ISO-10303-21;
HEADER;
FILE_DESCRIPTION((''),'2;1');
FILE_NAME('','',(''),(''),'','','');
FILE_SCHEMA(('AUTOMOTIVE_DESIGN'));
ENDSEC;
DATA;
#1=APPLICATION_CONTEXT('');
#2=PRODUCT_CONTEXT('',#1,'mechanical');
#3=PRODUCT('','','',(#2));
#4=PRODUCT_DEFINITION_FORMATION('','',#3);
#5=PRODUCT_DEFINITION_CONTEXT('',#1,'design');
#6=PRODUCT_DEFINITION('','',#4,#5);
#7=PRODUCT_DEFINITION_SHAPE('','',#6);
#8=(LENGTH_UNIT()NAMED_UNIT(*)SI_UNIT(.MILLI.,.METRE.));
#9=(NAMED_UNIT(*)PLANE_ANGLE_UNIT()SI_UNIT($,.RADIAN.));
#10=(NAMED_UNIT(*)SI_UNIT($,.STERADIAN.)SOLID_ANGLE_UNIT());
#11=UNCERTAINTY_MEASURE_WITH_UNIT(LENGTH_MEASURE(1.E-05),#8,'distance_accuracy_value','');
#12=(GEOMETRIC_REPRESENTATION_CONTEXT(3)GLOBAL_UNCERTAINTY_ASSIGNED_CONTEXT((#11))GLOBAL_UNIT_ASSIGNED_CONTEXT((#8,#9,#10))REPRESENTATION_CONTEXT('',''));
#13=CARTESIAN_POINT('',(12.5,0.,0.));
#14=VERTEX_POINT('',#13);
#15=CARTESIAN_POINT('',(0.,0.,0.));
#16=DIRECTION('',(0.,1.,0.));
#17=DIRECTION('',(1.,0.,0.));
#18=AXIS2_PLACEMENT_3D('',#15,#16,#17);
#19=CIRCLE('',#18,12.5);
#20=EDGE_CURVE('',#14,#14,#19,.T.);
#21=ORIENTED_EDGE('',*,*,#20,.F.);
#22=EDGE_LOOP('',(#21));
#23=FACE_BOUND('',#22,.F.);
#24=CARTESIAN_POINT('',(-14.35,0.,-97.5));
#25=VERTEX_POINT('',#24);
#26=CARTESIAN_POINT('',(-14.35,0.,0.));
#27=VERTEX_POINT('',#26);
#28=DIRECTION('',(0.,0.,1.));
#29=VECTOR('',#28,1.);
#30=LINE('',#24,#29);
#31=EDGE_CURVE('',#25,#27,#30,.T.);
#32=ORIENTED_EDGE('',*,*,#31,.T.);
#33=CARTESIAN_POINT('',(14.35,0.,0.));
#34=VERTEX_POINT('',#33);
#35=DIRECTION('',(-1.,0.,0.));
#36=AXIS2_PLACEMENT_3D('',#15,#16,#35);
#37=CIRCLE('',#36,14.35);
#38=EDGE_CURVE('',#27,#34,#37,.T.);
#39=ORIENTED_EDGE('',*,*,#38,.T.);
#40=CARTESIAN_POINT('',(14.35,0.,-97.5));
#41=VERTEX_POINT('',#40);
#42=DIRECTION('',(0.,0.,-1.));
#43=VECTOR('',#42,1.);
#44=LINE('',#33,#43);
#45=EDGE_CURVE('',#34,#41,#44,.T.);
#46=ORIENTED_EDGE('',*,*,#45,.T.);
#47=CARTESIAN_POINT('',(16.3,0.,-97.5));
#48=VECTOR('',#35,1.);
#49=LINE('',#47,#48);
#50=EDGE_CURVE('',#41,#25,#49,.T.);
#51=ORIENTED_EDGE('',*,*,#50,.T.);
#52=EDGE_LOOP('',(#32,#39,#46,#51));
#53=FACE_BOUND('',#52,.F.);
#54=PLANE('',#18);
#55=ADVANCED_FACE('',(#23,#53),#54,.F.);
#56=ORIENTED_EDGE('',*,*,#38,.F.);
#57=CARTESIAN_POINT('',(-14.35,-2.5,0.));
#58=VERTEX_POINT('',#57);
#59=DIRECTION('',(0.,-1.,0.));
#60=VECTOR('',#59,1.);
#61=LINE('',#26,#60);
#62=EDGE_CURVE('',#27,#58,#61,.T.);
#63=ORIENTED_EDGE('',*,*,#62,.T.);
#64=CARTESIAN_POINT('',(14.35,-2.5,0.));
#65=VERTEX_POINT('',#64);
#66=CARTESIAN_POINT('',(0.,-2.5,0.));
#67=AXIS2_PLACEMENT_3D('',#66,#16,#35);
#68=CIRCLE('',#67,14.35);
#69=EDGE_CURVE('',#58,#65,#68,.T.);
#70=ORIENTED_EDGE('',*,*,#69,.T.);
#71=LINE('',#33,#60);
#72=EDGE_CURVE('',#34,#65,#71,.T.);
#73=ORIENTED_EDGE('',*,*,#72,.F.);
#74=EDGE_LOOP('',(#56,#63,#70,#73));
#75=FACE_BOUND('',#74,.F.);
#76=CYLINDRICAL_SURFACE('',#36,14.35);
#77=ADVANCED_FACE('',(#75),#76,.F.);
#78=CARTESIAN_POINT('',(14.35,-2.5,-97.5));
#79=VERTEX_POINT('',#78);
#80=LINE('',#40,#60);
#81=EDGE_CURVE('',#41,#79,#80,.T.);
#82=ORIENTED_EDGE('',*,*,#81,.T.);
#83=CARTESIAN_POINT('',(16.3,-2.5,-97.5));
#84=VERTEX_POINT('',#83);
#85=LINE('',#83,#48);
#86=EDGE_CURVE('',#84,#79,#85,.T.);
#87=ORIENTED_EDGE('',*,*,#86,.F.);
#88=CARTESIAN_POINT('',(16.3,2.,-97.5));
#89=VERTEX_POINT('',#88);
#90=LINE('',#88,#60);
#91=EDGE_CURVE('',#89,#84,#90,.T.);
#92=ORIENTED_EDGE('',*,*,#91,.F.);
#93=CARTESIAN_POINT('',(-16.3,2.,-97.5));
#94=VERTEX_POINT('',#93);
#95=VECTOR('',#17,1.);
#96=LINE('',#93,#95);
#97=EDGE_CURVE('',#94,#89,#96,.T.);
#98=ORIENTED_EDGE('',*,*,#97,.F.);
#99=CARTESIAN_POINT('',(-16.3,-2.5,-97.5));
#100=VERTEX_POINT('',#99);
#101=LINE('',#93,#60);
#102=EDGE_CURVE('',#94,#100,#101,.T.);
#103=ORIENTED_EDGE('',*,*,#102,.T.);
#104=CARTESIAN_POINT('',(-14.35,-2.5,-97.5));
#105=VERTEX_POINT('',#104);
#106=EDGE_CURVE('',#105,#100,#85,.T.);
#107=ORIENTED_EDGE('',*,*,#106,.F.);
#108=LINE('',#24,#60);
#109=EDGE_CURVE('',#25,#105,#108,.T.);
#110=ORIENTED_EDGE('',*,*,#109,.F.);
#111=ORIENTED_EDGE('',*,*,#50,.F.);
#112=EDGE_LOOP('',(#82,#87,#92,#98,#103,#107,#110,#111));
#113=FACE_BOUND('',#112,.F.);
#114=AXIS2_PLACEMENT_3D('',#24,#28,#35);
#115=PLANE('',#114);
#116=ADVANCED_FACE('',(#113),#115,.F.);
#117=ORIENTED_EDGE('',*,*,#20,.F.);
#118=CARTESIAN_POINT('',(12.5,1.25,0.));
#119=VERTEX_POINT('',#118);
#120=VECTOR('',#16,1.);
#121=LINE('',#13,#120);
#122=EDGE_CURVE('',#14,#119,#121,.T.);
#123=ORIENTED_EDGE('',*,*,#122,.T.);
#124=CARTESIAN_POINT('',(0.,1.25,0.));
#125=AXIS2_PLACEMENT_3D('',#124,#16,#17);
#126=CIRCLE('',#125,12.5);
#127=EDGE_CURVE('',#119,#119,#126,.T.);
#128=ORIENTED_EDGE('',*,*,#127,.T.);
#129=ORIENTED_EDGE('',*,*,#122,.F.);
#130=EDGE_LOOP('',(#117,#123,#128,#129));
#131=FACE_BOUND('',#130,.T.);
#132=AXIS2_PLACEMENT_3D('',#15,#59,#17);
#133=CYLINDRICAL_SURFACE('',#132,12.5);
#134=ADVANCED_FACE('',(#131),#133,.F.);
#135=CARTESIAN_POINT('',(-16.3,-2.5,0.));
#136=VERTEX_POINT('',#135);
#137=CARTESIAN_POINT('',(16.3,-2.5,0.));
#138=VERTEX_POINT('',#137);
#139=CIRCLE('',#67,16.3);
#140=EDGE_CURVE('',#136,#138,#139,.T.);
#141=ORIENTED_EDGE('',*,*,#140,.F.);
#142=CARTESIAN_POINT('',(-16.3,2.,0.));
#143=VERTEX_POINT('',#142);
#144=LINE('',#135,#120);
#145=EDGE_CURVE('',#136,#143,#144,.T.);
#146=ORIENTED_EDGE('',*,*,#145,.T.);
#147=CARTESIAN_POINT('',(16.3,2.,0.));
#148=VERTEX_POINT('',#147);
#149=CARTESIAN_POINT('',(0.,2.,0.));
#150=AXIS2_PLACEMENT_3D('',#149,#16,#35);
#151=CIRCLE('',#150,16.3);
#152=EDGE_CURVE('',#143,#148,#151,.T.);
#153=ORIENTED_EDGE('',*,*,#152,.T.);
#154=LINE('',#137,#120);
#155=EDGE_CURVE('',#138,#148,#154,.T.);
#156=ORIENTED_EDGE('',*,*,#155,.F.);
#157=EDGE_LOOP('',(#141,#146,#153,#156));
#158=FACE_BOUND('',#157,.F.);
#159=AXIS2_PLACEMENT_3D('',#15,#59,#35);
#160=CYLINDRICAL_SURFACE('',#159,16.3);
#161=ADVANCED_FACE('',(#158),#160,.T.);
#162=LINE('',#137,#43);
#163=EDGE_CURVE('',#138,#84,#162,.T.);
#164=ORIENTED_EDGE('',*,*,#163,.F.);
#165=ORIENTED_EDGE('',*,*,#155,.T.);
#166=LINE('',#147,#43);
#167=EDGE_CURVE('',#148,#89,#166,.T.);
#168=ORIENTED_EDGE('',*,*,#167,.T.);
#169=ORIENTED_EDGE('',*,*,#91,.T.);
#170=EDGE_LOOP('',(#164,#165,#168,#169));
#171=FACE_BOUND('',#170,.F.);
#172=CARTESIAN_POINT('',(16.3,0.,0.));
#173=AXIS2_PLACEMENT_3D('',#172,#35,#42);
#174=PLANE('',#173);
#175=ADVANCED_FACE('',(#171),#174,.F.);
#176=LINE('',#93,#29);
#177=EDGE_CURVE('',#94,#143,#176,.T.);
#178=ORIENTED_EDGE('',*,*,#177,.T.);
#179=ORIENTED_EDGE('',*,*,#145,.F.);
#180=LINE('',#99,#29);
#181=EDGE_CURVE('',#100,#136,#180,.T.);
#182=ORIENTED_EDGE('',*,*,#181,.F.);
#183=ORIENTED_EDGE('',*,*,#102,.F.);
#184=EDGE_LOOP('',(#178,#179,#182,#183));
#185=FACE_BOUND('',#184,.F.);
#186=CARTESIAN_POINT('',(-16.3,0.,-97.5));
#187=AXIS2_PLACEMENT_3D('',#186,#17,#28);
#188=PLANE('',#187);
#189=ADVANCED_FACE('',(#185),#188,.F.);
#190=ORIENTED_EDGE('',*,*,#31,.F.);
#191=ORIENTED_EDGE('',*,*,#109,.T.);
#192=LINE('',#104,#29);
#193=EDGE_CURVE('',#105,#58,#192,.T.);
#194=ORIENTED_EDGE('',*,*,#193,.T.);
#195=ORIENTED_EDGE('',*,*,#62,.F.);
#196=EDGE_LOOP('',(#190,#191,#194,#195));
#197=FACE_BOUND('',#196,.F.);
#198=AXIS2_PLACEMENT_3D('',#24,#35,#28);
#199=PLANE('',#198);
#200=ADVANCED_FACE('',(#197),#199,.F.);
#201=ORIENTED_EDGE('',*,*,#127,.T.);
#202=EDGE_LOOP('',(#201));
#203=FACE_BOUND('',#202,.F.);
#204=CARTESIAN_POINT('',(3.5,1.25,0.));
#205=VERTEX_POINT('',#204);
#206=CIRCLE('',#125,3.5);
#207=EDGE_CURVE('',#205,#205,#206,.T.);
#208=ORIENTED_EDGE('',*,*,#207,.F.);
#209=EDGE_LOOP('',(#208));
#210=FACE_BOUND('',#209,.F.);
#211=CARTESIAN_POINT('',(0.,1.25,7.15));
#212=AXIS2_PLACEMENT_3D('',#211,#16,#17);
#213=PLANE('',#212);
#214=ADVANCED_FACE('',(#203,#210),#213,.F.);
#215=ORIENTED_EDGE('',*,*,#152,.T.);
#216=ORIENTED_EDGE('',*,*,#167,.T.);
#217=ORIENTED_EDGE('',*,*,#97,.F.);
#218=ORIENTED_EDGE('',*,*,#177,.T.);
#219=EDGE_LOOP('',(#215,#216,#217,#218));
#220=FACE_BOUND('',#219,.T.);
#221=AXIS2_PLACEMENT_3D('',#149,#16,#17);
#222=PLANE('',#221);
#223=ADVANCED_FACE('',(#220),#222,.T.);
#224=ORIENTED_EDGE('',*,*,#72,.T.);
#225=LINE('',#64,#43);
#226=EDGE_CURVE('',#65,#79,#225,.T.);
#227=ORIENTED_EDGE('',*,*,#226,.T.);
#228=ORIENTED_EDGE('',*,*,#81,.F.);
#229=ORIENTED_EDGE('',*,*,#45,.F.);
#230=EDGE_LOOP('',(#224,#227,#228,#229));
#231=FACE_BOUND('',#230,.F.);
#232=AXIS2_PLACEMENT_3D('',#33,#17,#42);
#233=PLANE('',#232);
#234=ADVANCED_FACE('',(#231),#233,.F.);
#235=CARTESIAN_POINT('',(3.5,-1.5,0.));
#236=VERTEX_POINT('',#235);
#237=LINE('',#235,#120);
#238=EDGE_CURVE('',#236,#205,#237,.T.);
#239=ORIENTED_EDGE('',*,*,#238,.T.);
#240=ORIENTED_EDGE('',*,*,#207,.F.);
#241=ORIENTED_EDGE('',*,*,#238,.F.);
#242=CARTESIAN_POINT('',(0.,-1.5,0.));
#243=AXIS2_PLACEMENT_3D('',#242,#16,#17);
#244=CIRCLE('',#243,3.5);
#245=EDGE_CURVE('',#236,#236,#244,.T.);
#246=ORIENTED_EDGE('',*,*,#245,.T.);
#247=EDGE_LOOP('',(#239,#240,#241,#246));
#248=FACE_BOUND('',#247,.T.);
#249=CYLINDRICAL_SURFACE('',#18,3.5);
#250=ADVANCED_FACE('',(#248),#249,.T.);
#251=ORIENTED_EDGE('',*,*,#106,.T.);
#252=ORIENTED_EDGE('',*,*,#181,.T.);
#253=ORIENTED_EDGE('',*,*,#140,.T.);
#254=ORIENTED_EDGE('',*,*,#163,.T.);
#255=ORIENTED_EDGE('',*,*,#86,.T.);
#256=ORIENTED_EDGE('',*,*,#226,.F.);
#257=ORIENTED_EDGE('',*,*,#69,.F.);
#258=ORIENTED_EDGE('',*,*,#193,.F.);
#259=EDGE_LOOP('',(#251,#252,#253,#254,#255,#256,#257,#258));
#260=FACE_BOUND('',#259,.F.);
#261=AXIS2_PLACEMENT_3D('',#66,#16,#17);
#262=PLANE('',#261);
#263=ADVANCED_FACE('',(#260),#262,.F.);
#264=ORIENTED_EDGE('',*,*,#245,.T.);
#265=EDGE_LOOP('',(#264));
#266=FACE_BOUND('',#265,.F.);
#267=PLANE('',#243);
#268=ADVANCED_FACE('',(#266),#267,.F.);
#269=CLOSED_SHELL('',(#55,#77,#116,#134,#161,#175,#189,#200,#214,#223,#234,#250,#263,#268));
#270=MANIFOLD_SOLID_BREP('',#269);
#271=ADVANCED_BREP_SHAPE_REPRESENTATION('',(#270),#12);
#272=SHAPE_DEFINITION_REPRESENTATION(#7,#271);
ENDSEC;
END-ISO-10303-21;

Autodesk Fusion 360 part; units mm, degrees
sketch "Sketch1" plane through (0, 0, 0) normal (0, 1, 0) x (1, 0, 0)
  line L0 (-16.3, 0) -> (16.3, 0)
  line L1 (16.3, 0) -> (16.3, 97.5)
  line L2 (16.3, 97.5) -> (-16.3, 97.5)
  line L3 (-16.3, 97.5) -> (-16.3, 0)
  line L4 (0, 102.6744) -> (0, -20) construction
  arc A0 (-16.3, 0) -> (16.3, 0) centre (0, 0) ccw
  line L5 (-14.35, 97.5) -> (-14.35, 0)
  arc A1 (-14.35, 0) -> (14.35, 0) centre (0, 0) ccw
  line L6 (14.35, 0) -> (14.35, 97.5)
  dimension "d1" = 32.6
  dimension "d2" = 97.5
  dimension "d3" = 1.95
extrude "Extrude1" add sketch "Sketch1" along normal blind 2
extrude "Extrude2" add sketch "Sketch1" against normal blind 2.5 contours L0 L2 L3 L5 | L0 A0 A1 | L0 L1 L2 L6
sketch "Sketch2" plane through (0, 0, 7.15) normal (0, 1, 0) x (1, 0, 0)
  circle A0 centre (0, 7.15) radius 3.5
  circle A1 centre (0, 7.15) radius 4.1
  circle A2 centre (0, 7.15) radius 4.7
  circle A3 centre (0, 7.15) radius 5.3
  circle A4 centre (0, 7.15) radius 5.9
  circle A5 centre (0, 7.15) radius 6.5
  circle A6 centre (0, 7.15) radius 7.1
  circle A7 centre (0, 7.15) radius 7.7
  circle A8 centre (0, 7.15) radius 8.3
  line L0 (27.1083, -9.4638) -> (28.3083, -9.4638)
  line L1 (28.3083, -9.4638) -> (28.3083, -7.488)
  line L2 (28.3083, -7.488) -> (27.1083, -7.488)
  line L3 (27.1083, -7.488) -> (27.1083, -9.4638)
  circle A9 centre (0, 7.15) radius 8.9
  circle A10 centre (0, 7.15) radius 9.5
  circle A11 centre (0, 7.15) radius 10.1
  circle A12 centre (0, 7.15) radius 10.7
  circle A13 centre (0, 7.15) radius 11.3
  circle A14 centre (0, 7.15) radius 11.9
  circle A15 centre (0, 7.15) radius 12.5
  dimension "d18" = 7
  dimension "d19" = 8.2
  dimension "d20" = 1.2
  dimension "d21" = 9.4
  dimension "d22" = 10.6
  dimension "d23" = 11.8
  dimension "d24" = 13
  dimension "d25" = 14.2
  dimension "d26" = 15.4
  dimension "d27" = 16.6
  dimension "d28" = 17.8
  dimension "d29" = 19
  dimension "d30" = 20.2
  dimension "d31" = 21.4
  dimension "d32" = 22.6
  dimension "d33" = 23.8
  dimension "d34" = 25
extrude "Extrude4" cut sketch "Sketch2" along normal blind 1.25 contours A1 | A2 | A3 | A4 | A5 | A6 | A7 | A8 | A9 | A10 | A11 | A12 | A13 | A14 | A15
extrude "Extrude5" add 1 faces at (0.555, 0, 0.9381) along direction (0, -1, 0) blind 1.5
equation "d1 = 33 mm - 0.4 mm"
equation "d2 = 114 mm - ( 33 / 2 ) * 1 mm"
equation "d19 = d18 + d20"
equation "d21 = d19 + d20"
equation "d22 = d21 + d20"
equation "d23 = d22 + d20"
equation "d24 = d23 + d20"
equation "d25 = d24 + d20"
equation "d26 = d25 + d20"
equation "d27 = d26 + d20"
equation "d28 = d27 + d20"
equation "d29 = d28 + d20"
equation "d30 = d29 + d20"
equation "d31 = d30 + d20"
equation "d32 = d31 + d20"
equation "d33 = d32 + d20"
equation "d34 = d33 + d20"
